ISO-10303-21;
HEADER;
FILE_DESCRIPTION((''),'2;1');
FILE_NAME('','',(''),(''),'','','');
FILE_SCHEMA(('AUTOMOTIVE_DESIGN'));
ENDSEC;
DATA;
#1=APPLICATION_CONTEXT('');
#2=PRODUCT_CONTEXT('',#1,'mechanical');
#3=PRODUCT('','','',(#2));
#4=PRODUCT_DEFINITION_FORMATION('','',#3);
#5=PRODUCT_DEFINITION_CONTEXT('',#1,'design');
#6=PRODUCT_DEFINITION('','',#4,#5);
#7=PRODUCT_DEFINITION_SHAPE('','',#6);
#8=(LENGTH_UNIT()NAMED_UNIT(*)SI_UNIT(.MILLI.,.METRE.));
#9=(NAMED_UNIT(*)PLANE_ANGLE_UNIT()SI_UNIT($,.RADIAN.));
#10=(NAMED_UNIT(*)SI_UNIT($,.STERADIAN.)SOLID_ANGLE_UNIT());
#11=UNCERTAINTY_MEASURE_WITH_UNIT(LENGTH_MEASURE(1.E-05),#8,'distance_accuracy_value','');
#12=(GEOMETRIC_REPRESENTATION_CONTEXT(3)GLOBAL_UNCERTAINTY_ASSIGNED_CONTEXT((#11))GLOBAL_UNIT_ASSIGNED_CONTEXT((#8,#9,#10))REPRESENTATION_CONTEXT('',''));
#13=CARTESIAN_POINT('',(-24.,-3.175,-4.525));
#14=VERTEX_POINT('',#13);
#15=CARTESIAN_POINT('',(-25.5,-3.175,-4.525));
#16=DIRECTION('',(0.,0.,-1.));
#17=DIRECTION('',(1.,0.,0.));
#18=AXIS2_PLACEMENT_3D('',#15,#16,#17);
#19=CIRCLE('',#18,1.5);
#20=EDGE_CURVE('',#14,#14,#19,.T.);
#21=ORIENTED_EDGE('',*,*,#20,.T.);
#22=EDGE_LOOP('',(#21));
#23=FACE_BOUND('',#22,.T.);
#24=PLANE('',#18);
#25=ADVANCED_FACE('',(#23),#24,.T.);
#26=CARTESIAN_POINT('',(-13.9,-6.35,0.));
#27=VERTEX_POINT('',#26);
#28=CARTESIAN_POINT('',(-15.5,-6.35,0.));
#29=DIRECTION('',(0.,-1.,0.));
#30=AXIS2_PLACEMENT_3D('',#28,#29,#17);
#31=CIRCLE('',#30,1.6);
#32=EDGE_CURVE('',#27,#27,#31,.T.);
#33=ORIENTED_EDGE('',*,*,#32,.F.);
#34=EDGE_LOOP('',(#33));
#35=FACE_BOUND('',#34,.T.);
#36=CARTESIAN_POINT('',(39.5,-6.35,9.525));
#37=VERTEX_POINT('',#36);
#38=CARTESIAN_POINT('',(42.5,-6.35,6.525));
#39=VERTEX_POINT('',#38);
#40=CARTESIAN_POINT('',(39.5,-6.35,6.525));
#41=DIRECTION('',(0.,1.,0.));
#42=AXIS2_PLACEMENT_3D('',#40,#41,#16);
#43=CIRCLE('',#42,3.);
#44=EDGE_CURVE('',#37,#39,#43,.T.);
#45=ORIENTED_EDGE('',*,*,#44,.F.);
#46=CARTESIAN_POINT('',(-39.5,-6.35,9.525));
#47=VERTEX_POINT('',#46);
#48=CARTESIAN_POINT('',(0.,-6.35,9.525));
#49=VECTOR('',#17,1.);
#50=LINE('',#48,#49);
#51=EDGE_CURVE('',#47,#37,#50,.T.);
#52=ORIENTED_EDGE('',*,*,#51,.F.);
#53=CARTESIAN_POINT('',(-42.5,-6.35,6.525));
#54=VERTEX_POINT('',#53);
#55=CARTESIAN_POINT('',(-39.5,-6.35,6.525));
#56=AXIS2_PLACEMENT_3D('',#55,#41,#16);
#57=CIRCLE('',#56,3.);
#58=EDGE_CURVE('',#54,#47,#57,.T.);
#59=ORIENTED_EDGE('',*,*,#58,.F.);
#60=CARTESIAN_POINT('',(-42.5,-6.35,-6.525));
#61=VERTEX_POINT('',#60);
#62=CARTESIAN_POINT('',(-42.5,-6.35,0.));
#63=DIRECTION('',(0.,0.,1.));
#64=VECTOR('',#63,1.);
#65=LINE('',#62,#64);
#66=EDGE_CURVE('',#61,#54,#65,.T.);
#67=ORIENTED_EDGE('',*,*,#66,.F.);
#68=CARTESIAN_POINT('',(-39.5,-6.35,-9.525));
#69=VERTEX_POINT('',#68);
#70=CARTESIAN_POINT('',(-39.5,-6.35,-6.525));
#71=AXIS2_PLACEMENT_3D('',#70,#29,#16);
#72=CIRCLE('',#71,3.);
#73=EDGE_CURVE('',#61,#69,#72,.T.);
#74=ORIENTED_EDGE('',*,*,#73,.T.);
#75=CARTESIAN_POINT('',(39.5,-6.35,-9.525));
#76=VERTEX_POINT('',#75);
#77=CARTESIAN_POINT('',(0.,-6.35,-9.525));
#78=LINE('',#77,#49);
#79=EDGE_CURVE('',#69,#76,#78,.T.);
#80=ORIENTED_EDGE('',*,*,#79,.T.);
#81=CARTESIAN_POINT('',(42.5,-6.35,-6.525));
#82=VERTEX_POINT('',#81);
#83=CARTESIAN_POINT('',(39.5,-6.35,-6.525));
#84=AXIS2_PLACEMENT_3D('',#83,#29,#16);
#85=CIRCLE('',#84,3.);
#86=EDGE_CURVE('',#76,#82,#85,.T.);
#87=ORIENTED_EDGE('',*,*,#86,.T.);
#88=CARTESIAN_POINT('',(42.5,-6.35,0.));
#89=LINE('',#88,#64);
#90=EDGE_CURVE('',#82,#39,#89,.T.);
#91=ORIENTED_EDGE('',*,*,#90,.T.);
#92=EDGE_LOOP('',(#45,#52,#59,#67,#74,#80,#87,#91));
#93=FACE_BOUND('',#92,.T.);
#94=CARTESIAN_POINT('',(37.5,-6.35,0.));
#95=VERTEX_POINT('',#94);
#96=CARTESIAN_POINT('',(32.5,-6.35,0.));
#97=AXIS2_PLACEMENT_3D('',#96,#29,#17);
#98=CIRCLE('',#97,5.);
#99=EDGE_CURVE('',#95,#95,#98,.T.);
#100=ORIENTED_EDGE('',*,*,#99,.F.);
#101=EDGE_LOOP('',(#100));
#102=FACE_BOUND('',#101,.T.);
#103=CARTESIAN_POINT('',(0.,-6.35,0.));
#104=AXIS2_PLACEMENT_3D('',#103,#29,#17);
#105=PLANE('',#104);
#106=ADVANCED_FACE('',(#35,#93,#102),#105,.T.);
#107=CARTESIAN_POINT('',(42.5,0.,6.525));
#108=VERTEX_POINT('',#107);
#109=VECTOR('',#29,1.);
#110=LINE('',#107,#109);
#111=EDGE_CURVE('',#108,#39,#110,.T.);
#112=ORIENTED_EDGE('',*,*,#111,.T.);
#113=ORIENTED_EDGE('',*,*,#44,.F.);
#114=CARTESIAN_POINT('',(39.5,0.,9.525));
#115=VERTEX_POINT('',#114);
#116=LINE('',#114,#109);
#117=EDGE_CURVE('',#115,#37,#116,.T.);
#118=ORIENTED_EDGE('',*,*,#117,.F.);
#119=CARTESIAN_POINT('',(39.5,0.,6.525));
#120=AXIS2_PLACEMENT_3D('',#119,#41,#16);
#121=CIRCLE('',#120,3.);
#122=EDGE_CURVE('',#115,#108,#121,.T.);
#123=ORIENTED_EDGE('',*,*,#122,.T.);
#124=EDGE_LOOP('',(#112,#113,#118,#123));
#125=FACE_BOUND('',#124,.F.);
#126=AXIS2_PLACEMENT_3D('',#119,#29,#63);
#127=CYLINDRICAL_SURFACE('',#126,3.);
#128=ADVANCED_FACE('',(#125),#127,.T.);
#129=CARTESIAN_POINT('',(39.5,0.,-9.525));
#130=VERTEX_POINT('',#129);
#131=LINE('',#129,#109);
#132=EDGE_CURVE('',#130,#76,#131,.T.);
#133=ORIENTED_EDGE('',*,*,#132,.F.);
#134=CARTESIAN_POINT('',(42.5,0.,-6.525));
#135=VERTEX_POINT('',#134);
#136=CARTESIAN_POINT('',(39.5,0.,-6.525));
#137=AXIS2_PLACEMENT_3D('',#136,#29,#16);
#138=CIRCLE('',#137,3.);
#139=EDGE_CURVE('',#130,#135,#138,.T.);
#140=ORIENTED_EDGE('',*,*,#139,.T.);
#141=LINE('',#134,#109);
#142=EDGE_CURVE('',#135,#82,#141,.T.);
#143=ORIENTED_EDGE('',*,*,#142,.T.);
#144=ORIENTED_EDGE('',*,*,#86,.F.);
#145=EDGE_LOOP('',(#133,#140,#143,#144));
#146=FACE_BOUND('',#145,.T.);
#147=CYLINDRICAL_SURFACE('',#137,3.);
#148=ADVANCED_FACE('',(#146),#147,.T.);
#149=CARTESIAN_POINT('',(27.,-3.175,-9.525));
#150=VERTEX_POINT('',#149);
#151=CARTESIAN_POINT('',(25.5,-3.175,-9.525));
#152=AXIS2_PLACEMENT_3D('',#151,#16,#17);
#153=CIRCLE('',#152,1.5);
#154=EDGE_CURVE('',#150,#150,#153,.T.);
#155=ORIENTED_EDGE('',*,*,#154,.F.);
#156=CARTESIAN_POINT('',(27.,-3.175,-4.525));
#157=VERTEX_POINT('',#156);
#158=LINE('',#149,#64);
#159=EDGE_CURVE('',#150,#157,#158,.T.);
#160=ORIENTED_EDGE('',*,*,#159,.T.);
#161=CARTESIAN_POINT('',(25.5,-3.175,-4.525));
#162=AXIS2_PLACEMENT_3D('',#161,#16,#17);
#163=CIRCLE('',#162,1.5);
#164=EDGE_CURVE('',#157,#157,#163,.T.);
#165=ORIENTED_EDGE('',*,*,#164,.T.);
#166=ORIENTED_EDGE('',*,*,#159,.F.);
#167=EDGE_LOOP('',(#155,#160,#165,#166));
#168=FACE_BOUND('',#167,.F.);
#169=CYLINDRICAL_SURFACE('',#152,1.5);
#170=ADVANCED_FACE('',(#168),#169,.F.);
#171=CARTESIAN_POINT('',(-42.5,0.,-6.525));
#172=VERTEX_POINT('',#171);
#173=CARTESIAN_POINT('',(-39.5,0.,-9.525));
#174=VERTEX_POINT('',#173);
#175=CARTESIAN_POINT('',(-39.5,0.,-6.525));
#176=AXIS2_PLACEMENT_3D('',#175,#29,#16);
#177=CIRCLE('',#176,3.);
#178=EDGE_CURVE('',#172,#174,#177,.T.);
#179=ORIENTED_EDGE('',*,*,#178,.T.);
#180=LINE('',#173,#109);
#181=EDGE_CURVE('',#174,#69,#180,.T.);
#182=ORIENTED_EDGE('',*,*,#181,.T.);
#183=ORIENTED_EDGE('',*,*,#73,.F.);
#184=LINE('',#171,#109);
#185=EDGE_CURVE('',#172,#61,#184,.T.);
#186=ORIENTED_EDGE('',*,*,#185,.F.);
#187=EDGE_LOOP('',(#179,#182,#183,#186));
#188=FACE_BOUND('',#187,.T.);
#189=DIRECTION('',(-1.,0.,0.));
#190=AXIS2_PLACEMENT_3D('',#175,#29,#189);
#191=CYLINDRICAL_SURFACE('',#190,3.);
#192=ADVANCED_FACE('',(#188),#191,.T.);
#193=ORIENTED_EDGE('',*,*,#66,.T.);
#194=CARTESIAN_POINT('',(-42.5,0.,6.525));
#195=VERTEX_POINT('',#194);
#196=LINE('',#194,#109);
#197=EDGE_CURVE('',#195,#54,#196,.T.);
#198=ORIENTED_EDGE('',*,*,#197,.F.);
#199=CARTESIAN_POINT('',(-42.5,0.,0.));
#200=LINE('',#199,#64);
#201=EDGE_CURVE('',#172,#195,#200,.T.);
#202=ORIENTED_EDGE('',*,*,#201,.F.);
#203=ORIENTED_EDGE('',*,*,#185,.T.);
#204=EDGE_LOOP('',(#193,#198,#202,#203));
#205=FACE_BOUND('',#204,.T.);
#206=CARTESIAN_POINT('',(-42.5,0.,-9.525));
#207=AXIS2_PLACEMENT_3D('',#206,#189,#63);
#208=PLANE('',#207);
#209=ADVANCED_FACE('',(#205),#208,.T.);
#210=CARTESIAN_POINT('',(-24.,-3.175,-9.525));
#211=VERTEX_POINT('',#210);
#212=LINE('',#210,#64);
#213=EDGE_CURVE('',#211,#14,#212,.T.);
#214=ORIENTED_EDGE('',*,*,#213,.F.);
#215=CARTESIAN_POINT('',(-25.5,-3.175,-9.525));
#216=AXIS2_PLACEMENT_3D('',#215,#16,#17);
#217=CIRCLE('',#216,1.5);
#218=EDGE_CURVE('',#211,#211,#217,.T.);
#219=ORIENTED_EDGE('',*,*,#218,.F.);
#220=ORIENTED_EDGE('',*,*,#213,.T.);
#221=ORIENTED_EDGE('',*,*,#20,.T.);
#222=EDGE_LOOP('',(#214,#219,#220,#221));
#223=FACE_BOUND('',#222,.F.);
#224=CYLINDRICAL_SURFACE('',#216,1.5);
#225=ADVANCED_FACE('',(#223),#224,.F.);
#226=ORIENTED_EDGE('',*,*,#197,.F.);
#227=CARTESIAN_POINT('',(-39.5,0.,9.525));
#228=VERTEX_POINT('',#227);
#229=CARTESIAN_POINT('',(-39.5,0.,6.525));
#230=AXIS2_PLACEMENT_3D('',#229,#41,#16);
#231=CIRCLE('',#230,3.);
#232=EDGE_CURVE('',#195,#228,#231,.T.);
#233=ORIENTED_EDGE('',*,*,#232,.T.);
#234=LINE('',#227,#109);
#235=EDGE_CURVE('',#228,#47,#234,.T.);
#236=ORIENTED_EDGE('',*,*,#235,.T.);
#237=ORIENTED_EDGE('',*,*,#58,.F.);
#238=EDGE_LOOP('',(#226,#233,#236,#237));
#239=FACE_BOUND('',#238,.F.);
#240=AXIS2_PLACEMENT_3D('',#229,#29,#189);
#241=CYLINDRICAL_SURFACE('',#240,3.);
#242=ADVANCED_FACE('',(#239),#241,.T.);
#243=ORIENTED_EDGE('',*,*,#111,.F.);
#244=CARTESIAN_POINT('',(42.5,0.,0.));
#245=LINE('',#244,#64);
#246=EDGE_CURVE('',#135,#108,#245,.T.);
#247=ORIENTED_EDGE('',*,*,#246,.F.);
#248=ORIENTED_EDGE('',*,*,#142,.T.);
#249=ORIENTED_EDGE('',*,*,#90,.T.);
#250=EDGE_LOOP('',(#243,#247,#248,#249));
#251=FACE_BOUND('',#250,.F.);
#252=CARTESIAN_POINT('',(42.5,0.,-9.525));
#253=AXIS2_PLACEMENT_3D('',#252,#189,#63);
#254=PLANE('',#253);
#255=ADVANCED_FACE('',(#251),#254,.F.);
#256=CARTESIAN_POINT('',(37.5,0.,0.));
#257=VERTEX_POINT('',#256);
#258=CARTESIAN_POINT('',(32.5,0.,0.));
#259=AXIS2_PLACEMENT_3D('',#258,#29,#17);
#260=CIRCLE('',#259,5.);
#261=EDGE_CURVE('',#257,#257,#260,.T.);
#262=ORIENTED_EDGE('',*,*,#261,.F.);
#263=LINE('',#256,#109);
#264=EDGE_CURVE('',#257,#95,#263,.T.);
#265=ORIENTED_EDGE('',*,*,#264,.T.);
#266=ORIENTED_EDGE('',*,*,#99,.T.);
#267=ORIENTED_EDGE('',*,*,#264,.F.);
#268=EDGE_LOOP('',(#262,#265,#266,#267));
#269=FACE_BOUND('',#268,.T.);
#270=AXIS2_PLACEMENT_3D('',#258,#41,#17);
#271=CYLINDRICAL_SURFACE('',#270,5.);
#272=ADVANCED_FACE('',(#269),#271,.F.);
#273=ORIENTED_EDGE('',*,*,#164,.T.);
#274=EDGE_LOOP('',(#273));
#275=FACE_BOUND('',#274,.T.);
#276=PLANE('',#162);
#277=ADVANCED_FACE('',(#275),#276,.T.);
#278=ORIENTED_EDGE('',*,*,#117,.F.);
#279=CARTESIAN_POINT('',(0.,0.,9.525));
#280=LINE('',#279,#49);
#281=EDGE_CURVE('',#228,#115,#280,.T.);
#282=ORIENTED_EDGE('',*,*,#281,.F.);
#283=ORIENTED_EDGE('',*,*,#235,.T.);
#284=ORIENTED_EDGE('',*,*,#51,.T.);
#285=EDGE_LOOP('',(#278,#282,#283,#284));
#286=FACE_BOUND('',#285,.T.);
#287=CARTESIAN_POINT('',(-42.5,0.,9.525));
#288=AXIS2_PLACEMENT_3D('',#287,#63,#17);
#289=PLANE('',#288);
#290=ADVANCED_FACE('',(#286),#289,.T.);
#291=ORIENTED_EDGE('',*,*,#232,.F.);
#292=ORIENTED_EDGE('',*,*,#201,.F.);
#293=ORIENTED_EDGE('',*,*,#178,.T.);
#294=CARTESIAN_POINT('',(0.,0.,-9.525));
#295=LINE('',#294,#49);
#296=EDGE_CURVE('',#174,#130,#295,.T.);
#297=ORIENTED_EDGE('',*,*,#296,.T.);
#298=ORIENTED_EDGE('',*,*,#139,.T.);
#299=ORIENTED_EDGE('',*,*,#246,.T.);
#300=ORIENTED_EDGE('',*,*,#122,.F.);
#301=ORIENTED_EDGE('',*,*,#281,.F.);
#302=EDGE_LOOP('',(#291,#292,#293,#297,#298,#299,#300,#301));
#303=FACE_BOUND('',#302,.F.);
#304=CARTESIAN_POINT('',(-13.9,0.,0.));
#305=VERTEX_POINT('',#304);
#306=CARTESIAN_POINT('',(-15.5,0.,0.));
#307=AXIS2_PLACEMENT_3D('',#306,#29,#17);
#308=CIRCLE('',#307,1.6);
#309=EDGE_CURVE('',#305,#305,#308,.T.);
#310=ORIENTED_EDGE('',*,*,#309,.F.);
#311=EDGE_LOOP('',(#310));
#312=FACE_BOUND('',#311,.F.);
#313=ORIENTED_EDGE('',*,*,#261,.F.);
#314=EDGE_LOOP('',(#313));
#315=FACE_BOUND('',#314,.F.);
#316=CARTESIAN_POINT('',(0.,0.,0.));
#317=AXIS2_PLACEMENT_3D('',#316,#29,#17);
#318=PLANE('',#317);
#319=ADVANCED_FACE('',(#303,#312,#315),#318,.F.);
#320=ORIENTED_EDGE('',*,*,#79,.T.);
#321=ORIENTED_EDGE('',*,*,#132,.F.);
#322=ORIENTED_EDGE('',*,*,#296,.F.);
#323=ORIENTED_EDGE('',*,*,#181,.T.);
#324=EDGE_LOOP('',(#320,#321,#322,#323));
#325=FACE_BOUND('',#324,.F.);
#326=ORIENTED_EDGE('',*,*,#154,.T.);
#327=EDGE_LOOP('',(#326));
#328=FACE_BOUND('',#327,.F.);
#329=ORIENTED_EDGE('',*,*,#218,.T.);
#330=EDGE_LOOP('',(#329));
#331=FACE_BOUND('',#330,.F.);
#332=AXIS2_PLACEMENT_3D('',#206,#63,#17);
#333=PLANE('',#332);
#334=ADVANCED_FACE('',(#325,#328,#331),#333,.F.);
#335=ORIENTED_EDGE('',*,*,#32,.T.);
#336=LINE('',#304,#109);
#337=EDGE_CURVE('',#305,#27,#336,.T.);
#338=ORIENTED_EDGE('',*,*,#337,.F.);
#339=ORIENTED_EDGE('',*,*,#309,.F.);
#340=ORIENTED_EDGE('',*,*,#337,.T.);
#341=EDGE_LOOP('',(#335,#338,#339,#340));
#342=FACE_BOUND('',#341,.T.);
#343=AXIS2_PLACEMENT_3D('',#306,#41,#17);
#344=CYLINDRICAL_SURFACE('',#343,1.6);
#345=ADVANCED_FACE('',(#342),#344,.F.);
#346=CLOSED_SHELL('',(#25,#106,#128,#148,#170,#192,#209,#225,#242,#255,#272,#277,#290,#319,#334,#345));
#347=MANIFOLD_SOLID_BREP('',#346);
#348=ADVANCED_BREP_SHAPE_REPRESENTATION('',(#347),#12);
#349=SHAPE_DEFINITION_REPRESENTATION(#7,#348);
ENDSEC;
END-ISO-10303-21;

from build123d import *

# Parameters (mm, degrees)
F0_W     = 85
F0_H     = 19.05
F0_R     = 1.6
F0_R_2   = 5
F1_DEPTH = 6.35
F2_R     = 1.5
F3_DEPTH = 5
F4_R     = 3


with BuildPart() as f1:
    # F0 (on Front) → F1 (new body)
    with BuildSketch(Plane.XZ):
        Rectangle(F0_W, F0_H)
        with Locations((-15.5, 0)):
            Circle(F0_R, mode=Mode.SUBTRACT)
        with Locations((32.5, 0)):
            Circle(F0_R_2, mode=Mode.SUBTRACT)
    extrude(amount=F1_DEPTH)

    # F2 (on face) → F3 (cut)
    with BuildSketch(Plane(origin=(0, 0, -9.525), x_dir=(1, 0, 0), z_dir=(0, 0, -1))):
        with Locations((-25.5, 3.175)):
            Circle(F2_R)
        with Locations((25.5, 3.175)):
            Circle(F2_R)
    extrude(amount=-F3_DEPTH, mode=Mode.SUBTRACT)

    # F4
    f4_edges = [f1.edges().sort_by_distance(p)[0] for p in [
        (42.5, -3.175, 9.525),
        (42.5, -3.175, -9.525),
        (-42.5, -3.175, -9.525),
        (-42.5, -3.175, 9.525),
    ]]
    fillet(f4_edges, radius=F4_R)


solid = f1.part
